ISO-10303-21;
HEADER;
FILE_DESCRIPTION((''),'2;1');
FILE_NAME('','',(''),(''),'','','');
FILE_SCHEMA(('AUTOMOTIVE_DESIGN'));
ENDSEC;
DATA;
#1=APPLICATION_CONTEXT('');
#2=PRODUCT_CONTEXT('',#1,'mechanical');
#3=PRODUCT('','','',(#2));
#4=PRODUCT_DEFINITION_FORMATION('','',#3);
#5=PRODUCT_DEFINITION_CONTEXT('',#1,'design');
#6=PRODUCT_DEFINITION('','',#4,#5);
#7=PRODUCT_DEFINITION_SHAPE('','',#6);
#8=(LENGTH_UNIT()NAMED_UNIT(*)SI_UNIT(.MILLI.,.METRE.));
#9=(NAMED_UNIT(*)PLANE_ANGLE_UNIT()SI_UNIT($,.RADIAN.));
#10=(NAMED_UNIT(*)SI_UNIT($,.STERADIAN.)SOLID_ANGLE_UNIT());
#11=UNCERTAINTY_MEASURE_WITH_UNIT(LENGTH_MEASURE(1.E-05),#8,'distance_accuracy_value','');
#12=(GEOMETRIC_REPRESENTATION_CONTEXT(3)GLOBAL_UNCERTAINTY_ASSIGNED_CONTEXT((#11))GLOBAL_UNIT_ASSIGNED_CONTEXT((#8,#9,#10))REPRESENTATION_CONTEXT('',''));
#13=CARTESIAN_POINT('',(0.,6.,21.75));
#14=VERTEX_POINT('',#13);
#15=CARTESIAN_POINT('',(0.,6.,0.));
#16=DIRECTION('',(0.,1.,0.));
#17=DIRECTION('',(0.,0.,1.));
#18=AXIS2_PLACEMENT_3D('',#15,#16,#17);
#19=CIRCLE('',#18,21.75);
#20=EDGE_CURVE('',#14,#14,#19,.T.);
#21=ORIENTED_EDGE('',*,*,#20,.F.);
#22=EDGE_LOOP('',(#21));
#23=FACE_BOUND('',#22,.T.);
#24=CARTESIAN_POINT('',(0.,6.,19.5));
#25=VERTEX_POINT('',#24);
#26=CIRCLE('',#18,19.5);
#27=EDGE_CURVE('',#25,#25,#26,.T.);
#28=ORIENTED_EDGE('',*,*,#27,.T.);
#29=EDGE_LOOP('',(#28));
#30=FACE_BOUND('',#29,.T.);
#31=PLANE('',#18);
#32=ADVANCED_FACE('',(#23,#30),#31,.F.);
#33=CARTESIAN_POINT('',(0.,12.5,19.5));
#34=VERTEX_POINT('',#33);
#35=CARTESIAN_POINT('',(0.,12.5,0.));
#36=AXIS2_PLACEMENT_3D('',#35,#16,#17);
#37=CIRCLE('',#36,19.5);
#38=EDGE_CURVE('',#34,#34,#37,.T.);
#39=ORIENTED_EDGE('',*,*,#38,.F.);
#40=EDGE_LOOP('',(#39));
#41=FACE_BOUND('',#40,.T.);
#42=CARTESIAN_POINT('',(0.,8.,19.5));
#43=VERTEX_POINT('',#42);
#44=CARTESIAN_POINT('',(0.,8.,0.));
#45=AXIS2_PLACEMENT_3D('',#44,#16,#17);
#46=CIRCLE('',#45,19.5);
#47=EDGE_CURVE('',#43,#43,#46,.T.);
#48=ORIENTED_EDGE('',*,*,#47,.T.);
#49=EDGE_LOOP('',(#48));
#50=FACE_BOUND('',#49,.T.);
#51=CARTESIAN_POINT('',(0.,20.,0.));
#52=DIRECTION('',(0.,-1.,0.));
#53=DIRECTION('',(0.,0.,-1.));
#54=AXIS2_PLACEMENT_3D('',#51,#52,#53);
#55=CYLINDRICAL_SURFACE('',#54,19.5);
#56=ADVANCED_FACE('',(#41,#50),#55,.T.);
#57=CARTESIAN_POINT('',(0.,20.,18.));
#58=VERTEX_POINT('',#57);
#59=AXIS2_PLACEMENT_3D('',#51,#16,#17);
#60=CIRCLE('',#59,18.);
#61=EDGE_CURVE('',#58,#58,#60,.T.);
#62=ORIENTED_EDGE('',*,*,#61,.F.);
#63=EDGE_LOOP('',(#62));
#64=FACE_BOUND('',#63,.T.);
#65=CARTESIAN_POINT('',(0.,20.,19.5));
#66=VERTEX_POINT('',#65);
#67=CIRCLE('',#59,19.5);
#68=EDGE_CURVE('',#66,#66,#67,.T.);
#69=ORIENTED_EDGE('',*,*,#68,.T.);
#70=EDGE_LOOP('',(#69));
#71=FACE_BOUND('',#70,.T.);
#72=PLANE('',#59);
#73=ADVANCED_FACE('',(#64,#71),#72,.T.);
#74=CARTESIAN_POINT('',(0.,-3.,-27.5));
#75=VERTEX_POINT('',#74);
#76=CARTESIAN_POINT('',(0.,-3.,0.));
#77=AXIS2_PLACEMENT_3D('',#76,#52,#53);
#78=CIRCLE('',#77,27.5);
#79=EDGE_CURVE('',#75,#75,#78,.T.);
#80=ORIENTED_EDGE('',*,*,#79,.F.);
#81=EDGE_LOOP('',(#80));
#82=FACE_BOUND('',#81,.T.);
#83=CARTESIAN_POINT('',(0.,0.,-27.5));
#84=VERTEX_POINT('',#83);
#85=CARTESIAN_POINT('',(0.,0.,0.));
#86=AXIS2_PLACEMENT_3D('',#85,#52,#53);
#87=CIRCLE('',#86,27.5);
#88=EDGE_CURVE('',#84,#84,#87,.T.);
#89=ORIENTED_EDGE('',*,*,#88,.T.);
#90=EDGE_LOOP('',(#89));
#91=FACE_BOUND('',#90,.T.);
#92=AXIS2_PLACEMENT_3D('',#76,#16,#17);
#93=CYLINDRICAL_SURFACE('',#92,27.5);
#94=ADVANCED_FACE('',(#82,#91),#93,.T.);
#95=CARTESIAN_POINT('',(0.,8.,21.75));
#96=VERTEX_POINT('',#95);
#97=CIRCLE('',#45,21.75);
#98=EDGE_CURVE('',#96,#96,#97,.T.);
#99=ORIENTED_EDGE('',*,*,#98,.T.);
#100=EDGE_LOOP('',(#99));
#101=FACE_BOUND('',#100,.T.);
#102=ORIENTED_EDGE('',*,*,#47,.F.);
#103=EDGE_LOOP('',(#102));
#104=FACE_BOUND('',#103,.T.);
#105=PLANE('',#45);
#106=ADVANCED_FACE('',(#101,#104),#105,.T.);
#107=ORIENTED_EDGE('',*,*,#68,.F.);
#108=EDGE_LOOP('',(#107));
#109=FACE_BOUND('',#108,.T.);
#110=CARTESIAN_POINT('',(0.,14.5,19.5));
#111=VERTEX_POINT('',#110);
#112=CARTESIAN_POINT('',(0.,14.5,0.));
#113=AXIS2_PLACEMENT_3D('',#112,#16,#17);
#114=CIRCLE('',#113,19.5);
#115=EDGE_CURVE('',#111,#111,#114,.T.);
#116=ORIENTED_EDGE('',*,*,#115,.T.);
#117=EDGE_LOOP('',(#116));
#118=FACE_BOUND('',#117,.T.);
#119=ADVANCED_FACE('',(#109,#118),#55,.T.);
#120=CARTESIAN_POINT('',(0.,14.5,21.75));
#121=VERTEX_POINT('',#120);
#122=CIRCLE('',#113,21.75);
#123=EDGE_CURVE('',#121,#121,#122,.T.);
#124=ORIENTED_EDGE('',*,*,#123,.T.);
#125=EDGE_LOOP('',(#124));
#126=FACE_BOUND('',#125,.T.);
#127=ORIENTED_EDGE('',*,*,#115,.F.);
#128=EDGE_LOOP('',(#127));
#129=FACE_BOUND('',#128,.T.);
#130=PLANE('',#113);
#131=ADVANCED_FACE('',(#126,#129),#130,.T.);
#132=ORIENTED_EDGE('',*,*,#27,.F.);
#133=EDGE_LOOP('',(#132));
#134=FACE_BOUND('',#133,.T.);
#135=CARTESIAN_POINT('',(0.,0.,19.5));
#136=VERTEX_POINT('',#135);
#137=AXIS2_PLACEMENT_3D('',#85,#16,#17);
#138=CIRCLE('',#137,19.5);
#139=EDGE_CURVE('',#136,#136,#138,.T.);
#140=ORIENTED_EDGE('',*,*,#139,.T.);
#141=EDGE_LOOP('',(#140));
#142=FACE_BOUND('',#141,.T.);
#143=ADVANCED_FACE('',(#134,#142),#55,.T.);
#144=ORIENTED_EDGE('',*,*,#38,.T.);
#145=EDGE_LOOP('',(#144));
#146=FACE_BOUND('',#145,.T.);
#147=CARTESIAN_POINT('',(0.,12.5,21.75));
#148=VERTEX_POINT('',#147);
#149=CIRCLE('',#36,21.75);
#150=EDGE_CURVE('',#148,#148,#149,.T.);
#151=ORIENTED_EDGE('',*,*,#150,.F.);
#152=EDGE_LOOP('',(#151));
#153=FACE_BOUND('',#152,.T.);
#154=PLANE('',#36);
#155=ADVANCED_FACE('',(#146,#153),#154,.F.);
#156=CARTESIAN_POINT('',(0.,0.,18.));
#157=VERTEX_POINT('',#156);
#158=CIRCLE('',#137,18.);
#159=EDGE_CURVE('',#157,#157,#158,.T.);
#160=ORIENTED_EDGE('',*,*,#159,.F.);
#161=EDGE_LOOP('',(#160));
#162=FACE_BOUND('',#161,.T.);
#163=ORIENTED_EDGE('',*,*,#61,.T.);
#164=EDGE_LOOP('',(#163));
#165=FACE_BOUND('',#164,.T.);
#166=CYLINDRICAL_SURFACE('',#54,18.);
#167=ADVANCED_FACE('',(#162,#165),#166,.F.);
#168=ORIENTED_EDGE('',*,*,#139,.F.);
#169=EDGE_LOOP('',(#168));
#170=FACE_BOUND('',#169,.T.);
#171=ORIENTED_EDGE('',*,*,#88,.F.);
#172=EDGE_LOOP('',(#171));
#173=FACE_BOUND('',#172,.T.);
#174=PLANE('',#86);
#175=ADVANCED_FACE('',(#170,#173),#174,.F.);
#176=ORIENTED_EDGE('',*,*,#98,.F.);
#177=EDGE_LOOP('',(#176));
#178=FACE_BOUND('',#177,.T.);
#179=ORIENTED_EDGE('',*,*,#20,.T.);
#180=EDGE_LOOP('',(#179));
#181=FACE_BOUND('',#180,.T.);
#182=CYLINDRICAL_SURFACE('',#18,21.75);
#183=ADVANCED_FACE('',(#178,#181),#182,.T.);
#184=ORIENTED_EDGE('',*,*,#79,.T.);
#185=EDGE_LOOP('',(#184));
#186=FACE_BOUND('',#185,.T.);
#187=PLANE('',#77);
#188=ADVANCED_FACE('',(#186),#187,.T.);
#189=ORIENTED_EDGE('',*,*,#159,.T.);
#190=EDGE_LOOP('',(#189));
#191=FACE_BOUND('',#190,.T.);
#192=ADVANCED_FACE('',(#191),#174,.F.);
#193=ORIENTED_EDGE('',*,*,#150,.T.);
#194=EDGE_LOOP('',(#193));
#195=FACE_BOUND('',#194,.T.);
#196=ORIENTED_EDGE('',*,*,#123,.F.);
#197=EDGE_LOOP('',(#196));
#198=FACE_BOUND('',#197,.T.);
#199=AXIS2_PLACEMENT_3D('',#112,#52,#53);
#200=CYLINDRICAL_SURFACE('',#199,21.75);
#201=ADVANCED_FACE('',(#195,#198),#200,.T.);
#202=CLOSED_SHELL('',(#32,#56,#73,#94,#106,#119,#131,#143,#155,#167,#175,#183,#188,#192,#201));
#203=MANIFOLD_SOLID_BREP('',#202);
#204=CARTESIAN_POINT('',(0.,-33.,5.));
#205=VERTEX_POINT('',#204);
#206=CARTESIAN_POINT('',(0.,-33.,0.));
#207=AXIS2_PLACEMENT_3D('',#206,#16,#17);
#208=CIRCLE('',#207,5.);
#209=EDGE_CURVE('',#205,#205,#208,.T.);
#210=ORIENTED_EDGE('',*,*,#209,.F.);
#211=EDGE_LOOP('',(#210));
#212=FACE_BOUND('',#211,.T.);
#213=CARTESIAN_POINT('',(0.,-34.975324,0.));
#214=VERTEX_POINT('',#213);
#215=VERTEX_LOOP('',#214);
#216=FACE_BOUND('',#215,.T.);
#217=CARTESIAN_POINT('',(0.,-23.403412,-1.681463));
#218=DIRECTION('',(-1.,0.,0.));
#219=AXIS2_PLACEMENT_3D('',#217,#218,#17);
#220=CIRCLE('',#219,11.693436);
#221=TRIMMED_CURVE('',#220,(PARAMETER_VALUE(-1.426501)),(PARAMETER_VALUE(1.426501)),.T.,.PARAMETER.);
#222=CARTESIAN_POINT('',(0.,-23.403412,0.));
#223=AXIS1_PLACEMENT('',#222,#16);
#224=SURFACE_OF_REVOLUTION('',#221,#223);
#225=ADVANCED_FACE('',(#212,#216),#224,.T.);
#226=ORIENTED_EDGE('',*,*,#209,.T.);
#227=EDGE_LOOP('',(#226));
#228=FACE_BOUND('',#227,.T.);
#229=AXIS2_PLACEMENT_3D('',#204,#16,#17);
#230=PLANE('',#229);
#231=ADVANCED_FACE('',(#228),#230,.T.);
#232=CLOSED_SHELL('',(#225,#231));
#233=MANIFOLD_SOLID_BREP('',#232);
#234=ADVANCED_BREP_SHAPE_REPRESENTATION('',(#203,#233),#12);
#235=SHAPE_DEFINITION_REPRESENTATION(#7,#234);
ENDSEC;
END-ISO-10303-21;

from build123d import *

# Parameters (mm, degrees)
SKETCH_1_R          = 19.5
SKETCH_1_R_2        = 18
EXTRUDE_1_DEPTH     = 20
SKETCH_3_R          = 27.5
EXTRUDE_2_DEPTH     = 3
SKETCH_4_R          = 21.75
EXTRUDE_3_DEPTH     = 2
EXTRUDE_START       = 1
SKETCH_8_R          = 21.75
EXTRUDE_4_DEPTH     = 2
SKETCH_6_R          = 18
CUT_EXTRUDE_1_DEPTH = 35


with BuildPart() as part:
    # 草圖1 → 填料-伸長1 (new body)
    with BuildSketch(Plane(origin=(0, 0, 0), x_dir=(1, 0, 0), z_dir=(0, 1, 0))):
        Circle(SKETCH_1_R)
        Circle(SKETCH_1_R_2, mode=Mode.SUBTRACT)
    extrude(amount=EXTRUDE_1_DEPTH)

    # 草圖3 → 填料-伸長2 (add)
    with BuildSketch(Plane.XZ):
        Circle(SKETCH_3_R)
    extrude(amount=EXTRUDE_2_DEPTH)

    # 草圖4 → 填料-伸長3 (add)
    with BuildSketch(Plane(origin=(0, 8, 0), x_dir=(1, 0, 0), z_dir=(0, 1, 0))):
        Circle(SKETCH_4_R)
    extrude(amount=-EXTRUDE_3_DEPTH)

    # 草圖8 → 填料-伸長4 (add)
    with BuildSketch(Plane(origin=(0, 11.5, 0), x_dir=(1, 0, 0), z_dir=(0, 1, 0)).offset(EXTRUDE_START)):
        Circle(SKETCH_8_R)
    extrude(amount=EXTRUDE_4_DEPTH)

    # 草圖6 → 除料-伸長1 (cut)
    with BuildSketch(Plane(origin=(0, 0, 0), x_dir=(1, 0, 0), z_dir=(0, 1, 0))):
        Circle(SKETCH_6_R)
    extrude(amount=CUT_EXTRUDE_1_DEPTH, mode=Mode.SUBTRACT)


with BuildPart() as body_2:
    # 草圖15 → 旋轉10 (revolve)
    with BuildSketch(Plane(origin=(0, 0, 0), x_dir=(0, 0, -1), z_dir=(1, 0, 0))):
        with BuildLine():
            Line((-5, -33), (0, -33))
            Line((0, -33), (0, -34.975323557))
            ThreePointArc((0, -34.975323557), (-2.615059839, -34.278904796), (-5, -33))
        make_face()
    revolve(axis=Axis((0, -27.321248383, 0), (0, -1, 0)))


solid = Compound([part.part, body_2.part])
